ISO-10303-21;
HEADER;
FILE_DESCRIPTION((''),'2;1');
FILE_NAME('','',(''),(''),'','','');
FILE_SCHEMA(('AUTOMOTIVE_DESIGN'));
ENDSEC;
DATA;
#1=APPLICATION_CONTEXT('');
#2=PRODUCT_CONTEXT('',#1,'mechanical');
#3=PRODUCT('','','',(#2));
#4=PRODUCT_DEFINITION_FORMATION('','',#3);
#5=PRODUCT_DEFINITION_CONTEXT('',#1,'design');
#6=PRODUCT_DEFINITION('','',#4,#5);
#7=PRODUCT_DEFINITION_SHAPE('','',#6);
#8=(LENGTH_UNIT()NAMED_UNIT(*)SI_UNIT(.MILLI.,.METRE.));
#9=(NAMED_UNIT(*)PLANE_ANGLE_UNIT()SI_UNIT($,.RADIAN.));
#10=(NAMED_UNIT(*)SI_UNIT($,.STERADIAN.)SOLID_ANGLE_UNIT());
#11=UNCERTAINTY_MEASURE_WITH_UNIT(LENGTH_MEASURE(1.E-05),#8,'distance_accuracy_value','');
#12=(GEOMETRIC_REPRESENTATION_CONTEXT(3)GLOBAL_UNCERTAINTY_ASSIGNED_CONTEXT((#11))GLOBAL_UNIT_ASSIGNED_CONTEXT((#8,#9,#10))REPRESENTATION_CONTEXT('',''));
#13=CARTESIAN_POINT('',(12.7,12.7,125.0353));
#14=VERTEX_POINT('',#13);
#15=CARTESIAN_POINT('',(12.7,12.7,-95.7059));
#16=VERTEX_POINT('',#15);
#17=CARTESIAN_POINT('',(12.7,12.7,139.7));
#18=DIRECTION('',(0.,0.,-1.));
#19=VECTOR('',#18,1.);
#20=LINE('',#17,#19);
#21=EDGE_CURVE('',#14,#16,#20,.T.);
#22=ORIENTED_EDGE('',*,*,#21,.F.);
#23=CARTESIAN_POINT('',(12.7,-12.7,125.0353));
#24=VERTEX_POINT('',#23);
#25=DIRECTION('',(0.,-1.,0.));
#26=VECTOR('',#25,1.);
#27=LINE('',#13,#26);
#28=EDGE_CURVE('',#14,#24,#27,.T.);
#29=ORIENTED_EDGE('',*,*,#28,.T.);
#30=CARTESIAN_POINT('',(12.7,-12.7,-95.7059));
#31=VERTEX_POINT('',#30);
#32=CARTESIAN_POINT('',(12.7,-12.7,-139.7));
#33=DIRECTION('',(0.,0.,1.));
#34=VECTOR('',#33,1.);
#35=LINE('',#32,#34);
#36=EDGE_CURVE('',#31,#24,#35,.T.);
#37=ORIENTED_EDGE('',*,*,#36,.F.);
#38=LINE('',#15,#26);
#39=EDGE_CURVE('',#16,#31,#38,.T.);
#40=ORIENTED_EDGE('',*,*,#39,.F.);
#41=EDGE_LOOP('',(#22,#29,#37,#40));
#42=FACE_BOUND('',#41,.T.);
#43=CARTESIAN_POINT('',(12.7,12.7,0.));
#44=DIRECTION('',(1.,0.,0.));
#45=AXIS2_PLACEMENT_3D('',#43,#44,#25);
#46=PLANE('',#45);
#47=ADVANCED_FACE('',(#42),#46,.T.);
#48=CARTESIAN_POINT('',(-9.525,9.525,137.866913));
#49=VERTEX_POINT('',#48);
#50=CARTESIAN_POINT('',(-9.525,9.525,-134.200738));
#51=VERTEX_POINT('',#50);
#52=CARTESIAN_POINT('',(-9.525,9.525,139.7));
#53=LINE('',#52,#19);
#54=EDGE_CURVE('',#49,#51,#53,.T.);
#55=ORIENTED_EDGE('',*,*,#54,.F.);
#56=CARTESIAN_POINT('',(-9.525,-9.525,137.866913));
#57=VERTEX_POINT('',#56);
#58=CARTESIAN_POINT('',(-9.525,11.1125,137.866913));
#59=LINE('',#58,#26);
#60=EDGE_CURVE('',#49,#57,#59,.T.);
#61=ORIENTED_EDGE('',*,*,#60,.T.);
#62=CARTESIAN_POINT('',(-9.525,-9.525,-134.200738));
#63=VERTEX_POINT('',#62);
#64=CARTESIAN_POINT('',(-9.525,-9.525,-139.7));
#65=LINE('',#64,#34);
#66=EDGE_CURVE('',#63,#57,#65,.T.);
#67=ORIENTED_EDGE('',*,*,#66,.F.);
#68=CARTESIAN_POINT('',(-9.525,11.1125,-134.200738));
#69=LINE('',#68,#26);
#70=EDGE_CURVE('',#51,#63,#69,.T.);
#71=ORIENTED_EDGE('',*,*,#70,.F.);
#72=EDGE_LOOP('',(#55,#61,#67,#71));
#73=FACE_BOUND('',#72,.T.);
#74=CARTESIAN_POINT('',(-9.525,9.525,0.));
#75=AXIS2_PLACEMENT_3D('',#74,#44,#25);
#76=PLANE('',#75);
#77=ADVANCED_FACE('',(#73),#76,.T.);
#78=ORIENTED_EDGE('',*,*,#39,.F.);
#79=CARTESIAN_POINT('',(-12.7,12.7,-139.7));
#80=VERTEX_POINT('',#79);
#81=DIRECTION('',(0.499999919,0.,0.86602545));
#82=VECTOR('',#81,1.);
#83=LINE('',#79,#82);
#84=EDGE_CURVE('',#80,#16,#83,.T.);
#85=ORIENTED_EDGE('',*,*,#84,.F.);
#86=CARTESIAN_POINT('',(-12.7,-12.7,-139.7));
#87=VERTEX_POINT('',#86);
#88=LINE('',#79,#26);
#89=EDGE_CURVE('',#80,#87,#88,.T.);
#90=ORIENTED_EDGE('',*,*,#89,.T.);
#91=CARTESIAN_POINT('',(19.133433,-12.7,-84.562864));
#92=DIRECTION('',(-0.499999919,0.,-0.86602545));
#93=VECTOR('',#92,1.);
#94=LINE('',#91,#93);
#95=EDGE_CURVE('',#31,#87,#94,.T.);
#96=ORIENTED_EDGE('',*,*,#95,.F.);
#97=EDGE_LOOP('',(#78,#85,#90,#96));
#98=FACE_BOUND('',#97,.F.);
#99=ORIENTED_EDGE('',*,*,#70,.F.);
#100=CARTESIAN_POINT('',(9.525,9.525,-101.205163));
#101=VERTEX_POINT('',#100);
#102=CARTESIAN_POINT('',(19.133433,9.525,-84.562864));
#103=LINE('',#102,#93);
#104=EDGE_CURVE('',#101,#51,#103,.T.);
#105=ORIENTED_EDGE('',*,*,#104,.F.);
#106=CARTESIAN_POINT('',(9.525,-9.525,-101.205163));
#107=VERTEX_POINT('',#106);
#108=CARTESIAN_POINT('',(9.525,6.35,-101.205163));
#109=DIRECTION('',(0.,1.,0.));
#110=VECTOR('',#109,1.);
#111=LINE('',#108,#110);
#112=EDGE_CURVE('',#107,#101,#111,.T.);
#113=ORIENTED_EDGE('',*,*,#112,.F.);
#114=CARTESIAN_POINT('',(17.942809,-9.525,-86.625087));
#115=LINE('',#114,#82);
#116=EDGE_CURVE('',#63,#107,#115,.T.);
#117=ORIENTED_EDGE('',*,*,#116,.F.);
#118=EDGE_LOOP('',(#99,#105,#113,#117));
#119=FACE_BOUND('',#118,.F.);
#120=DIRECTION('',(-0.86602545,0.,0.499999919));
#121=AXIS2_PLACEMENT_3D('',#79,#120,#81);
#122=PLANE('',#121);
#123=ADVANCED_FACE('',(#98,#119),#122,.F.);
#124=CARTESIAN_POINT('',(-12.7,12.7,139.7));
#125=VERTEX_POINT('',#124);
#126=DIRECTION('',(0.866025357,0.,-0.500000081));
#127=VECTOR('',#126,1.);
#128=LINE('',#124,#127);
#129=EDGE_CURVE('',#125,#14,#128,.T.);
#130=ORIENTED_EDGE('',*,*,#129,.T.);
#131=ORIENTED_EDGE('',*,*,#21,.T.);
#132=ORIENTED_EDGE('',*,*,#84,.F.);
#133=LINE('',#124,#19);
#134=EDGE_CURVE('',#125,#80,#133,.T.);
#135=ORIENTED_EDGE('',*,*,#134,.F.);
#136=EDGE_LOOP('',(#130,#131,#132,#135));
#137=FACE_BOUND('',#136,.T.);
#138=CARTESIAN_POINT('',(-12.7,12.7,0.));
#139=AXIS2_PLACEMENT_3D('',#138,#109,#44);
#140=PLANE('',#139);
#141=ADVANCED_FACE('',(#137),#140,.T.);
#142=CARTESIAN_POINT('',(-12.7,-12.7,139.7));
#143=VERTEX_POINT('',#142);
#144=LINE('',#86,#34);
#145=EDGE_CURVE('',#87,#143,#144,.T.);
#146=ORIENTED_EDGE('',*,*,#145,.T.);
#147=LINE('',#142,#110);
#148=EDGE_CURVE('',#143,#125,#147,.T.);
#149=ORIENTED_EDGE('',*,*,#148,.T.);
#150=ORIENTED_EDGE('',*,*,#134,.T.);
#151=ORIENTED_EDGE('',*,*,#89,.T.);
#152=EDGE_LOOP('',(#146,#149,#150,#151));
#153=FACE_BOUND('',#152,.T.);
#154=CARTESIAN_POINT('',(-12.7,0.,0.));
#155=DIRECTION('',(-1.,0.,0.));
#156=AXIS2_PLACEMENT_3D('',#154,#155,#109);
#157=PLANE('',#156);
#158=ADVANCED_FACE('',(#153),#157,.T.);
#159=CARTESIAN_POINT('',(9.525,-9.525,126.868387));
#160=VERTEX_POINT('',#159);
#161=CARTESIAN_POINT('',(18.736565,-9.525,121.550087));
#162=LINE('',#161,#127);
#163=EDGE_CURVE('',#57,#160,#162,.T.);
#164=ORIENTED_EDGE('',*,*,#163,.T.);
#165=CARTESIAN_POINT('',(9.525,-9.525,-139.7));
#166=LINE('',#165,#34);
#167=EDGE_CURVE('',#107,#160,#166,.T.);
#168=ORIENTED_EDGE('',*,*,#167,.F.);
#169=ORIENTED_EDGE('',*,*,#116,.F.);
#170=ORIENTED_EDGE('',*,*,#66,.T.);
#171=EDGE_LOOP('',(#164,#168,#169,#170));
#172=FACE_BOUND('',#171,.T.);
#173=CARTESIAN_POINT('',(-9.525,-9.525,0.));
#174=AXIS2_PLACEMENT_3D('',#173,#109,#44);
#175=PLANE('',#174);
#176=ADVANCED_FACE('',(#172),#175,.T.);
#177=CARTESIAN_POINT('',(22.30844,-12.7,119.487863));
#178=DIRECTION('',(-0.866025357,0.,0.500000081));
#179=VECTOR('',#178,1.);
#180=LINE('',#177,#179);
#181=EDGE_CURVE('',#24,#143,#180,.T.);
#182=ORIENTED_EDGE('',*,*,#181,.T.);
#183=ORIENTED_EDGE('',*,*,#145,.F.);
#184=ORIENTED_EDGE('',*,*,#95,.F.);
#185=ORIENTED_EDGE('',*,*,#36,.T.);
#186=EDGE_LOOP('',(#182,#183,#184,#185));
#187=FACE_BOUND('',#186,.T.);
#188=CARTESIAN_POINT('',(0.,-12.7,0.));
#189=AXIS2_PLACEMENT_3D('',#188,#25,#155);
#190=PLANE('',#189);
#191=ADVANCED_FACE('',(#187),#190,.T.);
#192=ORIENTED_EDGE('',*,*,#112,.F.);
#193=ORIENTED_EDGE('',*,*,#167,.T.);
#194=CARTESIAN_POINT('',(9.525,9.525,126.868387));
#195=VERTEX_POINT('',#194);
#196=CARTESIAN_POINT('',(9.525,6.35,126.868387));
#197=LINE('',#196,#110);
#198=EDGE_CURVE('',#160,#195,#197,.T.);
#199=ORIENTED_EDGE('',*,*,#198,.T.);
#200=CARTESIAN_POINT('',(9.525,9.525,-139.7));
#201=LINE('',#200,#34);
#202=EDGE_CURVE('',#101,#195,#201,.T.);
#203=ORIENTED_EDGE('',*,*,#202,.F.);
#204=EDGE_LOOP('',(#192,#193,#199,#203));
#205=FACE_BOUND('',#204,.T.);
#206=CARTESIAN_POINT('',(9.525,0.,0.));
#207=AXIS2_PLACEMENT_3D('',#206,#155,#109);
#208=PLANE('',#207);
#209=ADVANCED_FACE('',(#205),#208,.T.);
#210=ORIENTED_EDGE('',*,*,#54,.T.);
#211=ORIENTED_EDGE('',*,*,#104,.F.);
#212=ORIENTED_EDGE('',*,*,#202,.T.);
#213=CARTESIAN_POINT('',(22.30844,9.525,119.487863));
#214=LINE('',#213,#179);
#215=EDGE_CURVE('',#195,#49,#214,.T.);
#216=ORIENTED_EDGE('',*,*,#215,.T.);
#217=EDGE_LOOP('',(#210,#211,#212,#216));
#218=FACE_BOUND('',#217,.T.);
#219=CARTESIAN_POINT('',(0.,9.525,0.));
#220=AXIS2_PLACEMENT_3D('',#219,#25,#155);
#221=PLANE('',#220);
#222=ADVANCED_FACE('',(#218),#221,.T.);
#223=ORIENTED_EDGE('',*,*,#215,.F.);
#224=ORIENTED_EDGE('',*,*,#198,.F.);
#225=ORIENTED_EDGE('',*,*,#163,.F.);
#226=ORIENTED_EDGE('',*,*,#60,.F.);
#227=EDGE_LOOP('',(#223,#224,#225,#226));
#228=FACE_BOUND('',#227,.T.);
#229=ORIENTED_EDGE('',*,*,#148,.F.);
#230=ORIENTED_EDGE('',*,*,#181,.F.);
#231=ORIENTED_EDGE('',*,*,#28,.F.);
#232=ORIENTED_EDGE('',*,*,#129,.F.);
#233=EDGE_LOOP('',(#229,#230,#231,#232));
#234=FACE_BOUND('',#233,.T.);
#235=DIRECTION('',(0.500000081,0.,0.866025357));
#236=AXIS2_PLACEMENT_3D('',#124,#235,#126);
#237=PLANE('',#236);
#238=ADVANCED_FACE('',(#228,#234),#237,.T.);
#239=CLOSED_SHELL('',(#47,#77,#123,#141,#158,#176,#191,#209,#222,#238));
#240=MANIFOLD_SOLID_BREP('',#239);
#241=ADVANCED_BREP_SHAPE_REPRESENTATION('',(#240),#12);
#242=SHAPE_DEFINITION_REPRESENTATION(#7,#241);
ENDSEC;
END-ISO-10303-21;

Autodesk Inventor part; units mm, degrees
ref_plane "YZ Plane" through (0, 0, 0) normal (1, 0, 0) x (0, 1, 0)
ref_plane "XZ Plane" through (0, 0, 0) normal (0, 1, 0) x (-1, 0, 0)
ref_plane "XY Plane" through (0, 0, 0) normal (0, 0, 1) x (1, 0, 0)
sketch "Sketch1" plane through (0, 0, 0) normal (0, 0, 1) x (1, 0, 0)
  line L0 (-17.78, 0) -> (17.78, 0) projected
  line L1 (0, -17.78) -> (0, 17.78) projected
  line L2 (-12.7, 12.7) -> (12.7, 12.7)
  line L3 (12.7, 12.7) -> (12.7, -12.7)
  line L4 (12.7, -12.7) -> (-12.7, -12.7)
  line L5 (-12.7, -12.7) -> (-12.7, 12.7)
  line L6 (9.525, 9.525) -> (-9.525, 9.525)
  line L7 (-9.525, 9.525) -> (-9.525, -9.525)
  line L8 (-9.525, -9.525) -> (9.525, -9.525)
  line L9 (9.525, -9.525) -> (9.525, 9.525)
  point P0 (0, 0)
  point P1 (-12.7, 0)
  point P2 (0, 12.7)
  dimension "d0" = 25.4
  dimension "d1" = 3.175
extrude "Extrusion1" add sketch "Sketch1" along normal mid plane 279.4 contours L5 L2 L1 L6 L7 L0 | L0 L7 L8 L1 L4 L5 | L1 L8 L9 L0 L3 L4 | L2 L3 L0 L9 L6 L1
sketch "Sketch3" plane through (-12.7, 12.7, 139.7) normal (0, 1, 0) x (1, 0, 0)
  line L0 (0, 0) -> (25.4, 0) projected
  line L1 (25.4, 0) -> (25.4, 279.4) projected
  line L2 (0, 0) -> (25.4, 14.6647)
  point P0 (12.7, 139.7)
  dimension "d7" = 30
extrude "Extrusion3" cut sketch "Sketch3" against normal through all
sketch "Sketch4" plane through (-12.7, 12.7, -139.7) normal (0, 1, 0) x (1, 0, 0)
  line L0 (25.4, -264.7353) -> (25.4, 0) projected
  line L1 (25.4, 0) -> (0, 0) projected
  line L2 (0, 0) -> (25.4, -43.9941)
  point P0 (12.7, -139.7)
  dimension "d10" = 60
extrude "Extrusion4" cut sketch "Sketch4" against normal through all
properties part number "tubing_template_0.125" material "Aluminum-6061"
